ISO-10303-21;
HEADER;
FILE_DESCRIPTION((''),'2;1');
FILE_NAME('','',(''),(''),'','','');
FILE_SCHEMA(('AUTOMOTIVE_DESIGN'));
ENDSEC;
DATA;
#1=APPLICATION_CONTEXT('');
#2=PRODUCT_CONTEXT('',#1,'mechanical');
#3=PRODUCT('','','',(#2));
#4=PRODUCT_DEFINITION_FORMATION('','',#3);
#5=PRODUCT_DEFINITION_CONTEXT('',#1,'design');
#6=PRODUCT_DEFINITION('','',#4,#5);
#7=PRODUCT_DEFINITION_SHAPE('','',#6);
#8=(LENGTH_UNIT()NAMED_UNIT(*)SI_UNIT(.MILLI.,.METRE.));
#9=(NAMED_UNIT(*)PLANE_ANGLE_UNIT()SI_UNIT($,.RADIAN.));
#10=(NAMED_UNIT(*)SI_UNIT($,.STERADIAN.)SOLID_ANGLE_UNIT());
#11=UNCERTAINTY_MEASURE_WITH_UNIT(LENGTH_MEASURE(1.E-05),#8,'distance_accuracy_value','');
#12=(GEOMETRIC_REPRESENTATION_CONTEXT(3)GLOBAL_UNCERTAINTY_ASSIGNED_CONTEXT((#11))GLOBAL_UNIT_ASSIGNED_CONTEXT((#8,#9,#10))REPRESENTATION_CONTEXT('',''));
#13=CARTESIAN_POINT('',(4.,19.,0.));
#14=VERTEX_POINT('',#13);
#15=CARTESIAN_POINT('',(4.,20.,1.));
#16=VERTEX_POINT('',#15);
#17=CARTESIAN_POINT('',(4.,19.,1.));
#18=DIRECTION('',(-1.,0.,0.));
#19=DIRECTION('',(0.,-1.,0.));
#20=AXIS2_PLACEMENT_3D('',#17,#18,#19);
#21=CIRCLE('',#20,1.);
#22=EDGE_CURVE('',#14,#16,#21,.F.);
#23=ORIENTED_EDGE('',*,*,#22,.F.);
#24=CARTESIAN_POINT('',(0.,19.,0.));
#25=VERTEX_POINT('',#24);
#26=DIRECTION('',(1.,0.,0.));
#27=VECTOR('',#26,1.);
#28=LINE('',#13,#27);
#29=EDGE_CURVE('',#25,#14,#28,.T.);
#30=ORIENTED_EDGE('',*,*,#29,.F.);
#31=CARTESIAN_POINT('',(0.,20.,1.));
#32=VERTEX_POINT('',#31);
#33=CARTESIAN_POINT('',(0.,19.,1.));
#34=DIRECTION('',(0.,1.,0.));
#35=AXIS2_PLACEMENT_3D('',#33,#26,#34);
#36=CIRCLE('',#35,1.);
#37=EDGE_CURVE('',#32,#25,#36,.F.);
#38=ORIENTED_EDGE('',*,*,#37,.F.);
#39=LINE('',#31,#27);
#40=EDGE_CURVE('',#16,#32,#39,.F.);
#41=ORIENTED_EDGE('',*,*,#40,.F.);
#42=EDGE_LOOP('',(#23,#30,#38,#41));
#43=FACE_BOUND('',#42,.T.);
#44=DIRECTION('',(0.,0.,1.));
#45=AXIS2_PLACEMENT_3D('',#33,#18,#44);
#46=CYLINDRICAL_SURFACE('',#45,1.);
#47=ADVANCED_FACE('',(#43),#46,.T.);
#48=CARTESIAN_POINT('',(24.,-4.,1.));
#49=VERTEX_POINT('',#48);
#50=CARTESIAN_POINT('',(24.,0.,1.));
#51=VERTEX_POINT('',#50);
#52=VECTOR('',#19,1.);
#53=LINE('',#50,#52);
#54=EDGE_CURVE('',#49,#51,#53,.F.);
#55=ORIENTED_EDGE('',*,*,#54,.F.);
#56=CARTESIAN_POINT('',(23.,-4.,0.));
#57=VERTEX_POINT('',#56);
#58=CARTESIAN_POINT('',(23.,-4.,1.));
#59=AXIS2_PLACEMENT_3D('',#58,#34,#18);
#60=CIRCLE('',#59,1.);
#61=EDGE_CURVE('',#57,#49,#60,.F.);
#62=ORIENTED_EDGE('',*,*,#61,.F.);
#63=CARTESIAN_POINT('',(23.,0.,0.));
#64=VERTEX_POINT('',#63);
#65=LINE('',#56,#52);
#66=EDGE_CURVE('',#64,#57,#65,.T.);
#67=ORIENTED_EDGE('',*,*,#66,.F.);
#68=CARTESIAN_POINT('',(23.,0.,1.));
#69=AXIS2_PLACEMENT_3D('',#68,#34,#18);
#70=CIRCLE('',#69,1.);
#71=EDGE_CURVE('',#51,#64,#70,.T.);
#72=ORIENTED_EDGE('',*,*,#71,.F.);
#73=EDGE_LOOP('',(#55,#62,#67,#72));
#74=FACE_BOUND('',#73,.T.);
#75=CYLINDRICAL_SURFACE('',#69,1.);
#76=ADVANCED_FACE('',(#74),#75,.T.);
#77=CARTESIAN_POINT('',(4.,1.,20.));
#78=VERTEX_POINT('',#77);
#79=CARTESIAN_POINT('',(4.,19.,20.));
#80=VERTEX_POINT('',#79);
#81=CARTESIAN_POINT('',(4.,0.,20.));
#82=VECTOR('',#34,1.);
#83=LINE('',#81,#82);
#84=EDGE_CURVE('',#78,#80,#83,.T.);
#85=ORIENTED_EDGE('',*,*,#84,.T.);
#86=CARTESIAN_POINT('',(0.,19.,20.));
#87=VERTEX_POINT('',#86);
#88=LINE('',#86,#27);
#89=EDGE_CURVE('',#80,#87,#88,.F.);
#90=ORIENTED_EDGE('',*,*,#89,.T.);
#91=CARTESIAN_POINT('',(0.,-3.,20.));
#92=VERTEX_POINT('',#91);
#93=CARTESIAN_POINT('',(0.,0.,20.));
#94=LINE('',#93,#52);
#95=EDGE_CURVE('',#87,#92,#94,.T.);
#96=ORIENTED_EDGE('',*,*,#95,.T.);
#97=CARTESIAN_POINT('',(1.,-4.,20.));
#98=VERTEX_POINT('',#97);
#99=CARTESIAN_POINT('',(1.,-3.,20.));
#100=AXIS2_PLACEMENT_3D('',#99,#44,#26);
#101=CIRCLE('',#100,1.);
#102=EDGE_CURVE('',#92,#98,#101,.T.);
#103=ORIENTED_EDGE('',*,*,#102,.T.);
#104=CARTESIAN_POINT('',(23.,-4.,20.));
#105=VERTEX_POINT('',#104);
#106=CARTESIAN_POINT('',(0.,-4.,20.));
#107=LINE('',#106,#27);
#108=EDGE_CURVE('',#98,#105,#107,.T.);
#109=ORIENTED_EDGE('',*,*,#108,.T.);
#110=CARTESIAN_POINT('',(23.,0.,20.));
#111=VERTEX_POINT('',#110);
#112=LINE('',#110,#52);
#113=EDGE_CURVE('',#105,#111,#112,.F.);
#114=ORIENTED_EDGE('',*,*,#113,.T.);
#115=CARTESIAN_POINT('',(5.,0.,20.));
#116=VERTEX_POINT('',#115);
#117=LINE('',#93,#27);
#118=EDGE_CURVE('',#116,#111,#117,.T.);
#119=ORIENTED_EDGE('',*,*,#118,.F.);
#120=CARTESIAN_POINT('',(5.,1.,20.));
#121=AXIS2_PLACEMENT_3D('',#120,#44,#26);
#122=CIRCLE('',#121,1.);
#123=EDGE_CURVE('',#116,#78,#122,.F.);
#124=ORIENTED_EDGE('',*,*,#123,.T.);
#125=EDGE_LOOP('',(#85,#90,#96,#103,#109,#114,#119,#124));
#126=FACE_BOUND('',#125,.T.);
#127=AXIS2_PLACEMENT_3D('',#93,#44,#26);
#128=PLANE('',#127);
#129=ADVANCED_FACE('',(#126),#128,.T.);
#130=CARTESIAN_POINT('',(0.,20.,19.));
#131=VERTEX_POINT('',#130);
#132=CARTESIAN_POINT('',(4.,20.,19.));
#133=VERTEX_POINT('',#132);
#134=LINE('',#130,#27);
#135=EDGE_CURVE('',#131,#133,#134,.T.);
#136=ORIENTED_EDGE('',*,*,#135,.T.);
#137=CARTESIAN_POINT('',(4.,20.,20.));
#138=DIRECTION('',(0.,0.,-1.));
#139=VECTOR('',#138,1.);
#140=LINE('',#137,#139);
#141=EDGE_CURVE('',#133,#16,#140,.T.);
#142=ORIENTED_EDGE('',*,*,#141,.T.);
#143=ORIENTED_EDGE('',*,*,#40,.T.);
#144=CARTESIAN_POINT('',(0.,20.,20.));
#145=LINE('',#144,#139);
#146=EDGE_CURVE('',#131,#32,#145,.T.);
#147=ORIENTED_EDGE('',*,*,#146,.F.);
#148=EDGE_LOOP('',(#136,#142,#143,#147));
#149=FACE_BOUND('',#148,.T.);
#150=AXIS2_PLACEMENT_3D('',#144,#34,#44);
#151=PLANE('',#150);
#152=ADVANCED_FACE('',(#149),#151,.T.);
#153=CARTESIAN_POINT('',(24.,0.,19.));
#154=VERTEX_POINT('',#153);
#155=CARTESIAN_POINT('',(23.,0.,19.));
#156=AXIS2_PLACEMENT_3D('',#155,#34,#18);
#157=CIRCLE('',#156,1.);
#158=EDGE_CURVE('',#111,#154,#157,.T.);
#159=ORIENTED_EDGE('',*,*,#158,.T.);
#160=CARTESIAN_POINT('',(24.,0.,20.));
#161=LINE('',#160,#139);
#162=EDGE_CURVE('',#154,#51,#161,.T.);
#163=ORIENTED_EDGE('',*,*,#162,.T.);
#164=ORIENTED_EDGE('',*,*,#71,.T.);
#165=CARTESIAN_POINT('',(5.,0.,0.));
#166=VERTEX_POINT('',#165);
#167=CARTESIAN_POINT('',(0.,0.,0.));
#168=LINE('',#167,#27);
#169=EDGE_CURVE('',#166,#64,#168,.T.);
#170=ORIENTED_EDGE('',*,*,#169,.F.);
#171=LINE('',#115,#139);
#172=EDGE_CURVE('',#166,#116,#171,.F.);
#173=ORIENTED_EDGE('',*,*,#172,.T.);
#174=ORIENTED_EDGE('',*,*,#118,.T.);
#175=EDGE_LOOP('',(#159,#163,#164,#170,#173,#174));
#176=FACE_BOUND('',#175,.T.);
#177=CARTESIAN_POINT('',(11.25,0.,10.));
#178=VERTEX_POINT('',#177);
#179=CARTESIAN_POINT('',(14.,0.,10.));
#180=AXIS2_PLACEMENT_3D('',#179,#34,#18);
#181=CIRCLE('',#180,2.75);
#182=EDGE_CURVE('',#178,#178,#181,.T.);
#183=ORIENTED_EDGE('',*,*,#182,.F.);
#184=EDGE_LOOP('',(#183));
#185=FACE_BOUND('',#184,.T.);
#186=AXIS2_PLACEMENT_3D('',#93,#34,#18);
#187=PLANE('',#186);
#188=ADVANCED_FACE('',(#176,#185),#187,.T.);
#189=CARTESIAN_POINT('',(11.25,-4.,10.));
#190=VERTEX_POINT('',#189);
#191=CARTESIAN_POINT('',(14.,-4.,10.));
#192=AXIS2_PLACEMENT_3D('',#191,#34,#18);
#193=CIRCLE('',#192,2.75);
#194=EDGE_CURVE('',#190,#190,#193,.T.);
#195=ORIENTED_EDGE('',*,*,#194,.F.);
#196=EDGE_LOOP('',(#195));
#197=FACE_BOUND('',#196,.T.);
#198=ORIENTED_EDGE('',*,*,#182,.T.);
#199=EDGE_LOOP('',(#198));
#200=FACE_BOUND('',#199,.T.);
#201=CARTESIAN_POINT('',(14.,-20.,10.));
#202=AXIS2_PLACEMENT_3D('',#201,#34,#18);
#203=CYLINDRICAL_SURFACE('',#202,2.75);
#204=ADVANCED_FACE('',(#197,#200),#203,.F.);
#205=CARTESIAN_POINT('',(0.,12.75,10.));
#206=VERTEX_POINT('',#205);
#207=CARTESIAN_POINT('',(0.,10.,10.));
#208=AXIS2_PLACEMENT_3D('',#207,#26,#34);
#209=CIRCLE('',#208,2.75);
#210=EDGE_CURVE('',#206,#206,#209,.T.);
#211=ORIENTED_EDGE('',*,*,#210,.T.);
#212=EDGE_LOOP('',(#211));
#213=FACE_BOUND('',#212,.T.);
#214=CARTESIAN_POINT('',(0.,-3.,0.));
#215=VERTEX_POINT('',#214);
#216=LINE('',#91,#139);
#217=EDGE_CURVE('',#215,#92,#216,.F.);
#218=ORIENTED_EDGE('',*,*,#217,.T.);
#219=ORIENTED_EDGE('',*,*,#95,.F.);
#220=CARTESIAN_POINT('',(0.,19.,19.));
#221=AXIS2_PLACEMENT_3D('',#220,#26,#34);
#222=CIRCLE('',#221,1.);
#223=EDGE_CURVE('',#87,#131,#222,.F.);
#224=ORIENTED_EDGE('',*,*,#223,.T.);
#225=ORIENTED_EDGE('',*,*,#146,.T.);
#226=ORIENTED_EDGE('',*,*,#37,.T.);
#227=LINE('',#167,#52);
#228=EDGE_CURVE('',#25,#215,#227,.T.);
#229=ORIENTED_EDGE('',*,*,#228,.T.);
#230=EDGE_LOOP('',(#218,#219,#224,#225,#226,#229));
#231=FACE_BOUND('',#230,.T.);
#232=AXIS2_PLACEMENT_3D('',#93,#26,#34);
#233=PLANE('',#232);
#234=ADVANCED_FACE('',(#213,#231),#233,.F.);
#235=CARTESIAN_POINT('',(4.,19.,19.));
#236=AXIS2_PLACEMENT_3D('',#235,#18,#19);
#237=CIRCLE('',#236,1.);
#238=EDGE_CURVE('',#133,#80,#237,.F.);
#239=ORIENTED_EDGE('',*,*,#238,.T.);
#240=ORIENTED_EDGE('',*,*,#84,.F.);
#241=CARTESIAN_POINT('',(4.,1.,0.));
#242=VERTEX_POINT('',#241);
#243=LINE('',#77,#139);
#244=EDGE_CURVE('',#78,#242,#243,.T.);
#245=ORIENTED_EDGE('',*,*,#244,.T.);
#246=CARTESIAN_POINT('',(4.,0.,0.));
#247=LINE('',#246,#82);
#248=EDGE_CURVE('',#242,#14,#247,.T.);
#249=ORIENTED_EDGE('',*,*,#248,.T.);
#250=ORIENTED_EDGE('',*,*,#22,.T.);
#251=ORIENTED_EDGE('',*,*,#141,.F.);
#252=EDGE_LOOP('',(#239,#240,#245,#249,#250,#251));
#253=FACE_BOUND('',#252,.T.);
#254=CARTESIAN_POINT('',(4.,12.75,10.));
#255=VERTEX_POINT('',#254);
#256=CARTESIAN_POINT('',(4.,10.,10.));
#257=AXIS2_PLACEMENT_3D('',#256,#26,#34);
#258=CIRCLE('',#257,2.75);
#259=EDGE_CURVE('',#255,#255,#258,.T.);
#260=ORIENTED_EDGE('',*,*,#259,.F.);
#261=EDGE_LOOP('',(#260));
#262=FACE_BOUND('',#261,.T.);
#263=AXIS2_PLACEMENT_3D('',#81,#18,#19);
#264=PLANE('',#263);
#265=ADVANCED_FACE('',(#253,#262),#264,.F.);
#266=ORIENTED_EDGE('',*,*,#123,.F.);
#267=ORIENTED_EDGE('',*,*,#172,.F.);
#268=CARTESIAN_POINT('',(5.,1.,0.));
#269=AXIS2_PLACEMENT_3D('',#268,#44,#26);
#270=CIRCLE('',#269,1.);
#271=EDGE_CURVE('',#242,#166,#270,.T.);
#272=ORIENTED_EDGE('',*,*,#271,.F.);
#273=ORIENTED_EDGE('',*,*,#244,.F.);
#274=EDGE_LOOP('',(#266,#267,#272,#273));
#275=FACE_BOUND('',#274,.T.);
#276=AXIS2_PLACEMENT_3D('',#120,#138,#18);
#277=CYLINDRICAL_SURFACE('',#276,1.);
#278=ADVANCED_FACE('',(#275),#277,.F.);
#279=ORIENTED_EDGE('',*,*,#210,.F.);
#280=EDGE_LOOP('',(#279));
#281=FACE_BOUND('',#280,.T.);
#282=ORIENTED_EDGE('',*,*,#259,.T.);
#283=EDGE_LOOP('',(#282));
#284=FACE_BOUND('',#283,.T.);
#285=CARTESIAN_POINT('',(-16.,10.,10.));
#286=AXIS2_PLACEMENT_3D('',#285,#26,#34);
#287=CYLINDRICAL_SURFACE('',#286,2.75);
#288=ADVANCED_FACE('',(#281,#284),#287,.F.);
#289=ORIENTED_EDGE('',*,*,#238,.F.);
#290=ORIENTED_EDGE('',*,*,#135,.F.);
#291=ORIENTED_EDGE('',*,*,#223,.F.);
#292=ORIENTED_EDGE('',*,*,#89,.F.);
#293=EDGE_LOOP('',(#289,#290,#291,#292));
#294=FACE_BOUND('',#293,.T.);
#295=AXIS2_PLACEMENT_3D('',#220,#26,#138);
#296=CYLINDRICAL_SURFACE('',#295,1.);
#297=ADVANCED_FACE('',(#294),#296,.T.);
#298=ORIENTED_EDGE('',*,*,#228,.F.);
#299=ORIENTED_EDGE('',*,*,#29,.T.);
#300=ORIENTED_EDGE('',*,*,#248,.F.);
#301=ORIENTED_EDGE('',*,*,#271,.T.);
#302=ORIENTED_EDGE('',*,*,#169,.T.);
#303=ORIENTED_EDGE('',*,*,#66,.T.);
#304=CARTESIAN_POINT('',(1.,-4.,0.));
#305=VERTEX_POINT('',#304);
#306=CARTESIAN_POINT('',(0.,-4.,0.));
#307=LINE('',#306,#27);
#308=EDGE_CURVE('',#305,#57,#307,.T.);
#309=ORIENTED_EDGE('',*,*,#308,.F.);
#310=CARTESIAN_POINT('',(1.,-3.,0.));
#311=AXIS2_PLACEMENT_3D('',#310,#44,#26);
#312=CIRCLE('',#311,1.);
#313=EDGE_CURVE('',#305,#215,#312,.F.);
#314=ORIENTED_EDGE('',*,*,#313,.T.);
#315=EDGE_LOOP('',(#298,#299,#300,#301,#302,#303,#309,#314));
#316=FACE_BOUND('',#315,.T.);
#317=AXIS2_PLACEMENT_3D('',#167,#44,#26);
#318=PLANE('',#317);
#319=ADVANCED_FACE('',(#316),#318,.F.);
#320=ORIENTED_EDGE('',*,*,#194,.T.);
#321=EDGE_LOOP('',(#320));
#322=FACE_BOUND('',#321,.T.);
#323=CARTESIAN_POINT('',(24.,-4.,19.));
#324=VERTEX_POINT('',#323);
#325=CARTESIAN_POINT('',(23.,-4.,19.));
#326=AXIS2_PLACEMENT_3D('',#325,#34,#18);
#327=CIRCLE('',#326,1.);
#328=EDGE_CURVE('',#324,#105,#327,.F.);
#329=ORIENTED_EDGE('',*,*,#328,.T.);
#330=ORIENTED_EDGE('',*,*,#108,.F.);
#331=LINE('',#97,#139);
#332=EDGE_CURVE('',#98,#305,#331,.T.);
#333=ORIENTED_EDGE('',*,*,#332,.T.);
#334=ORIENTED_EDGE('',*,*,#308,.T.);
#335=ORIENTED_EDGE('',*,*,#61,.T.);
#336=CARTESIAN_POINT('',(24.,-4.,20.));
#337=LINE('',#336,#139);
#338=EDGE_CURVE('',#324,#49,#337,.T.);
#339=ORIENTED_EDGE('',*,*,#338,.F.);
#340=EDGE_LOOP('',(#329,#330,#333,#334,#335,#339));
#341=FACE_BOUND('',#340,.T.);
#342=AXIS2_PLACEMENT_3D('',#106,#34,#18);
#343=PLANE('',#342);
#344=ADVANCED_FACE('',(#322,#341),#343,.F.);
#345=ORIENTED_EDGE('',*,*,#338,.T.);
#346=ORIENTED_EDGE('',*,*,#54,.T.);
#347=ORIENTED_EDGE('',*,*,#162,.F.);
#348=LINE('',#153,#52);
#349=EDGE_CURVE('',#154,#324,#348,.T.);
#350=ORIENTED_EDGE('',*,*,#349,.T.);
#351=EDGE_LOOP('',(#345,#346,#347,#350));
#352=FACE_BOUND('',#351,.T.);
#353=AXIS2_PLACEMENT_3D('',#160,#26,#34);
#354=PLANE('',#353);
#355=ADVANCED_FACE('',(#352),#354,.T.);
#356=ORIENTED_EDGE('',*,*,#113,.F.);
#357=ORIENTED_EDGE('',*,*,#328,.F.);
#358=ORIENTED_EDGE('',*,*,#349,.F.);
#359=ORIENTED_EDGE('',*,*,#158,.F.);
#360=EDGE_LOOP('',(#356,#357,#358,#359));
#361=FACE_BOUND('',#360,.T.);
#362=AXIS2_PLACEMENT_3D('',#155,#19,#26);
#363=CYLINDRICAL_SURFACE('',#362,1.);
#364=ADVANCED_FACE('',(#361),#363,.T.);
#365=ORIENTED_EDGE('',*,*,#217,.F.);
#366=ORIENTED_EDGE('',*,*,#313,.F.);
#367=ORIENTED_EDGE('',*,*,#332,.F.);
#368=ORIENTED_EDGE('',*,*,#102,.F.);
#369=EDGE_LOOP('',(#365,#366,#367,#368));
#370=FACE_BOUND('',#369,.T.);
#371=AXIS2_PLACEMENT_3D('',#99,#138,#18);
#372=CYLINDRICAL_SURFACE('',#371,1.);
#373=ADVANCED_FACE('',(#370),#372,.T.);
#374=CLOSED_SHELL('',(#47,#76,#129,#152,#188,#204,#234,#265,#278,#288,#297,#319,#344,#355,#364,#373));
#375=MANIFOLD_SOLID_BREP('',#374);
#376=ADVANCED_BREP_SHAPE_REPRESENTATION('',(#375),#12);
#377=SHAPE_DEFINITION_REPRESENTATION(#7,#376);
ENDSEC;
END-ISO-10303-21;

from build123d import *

# Parameters (mm, degrees)
SKETCH_1_W          = 24
SKETCH_1_H          = 4
SKETCH_1_W_2        = 4
SKETCH_1_H_2        = 20
EXTRUDE_1_DEPTH     = 20
SKETCH_2_R          = 2.75
CUT_EXTRUDE_1_DEPTH = 20
SKETCH_3_R          = 2.75
CUT_EXTRUDE_2_DEPTH = 20
FILLET_1_R          = 1


with BuildPart() as part:
    # 스케치1 → 보스-돌출1 (new body)
    with BuildSketch(Plane.XY):
        with Locations((12, -2)):
            Rectangle(SKETCH_1_W, SKETCH_1_H)
        with Locations((2, 10)):
            Rectangle(SKETCH_1_W_2, SKETCH_1_H_2)
    extrude(amount=EXTRUDE_1_DEPTH)

    # 스케치2 → 컷-돌출1 (cut)
    with BuildSketch(Plane(origin=(0, 0, 0), x_dir=(1, 0, 0), z_dir=(0, 1, 0))):
        with Locations(Location((14, -10, 0), (0, 0, 180))):
            Circle(SKETCH_2_R)
    extrude(amount=-CUT_EXTRUDE_1_DEPTH, mode=Mode.SUBTRACT)

    # 스케치3 → 컷-돌출2 (cut)
    with BuildSketch(Plane(origin=(4, 0, 0), x_dir=(0, 0, -1), z_dir=(1, 0, 0))):
        with Locations(Location((-10, 10, 0), (0, 0, 90))):
            Circle(SKETCH_3_R)
    extrude(amount=-CUT_EXTRUDE_2_DEPTH, mode=Mode.SUBTRACT)

    # 필렛1
    fillet_1_edges = [part.edges().sort_by_distance(p)[0] for p in [
        (24, -2, 0),
        (0, -4, 10),
        (4, 0, 10),
        (2, 20, 20),
        (24, -2, 20),
        (2, 20, 0),
    ]]
    fillet(fillet_1_edges, radius=FILLET_1_R)


solid = part.part
